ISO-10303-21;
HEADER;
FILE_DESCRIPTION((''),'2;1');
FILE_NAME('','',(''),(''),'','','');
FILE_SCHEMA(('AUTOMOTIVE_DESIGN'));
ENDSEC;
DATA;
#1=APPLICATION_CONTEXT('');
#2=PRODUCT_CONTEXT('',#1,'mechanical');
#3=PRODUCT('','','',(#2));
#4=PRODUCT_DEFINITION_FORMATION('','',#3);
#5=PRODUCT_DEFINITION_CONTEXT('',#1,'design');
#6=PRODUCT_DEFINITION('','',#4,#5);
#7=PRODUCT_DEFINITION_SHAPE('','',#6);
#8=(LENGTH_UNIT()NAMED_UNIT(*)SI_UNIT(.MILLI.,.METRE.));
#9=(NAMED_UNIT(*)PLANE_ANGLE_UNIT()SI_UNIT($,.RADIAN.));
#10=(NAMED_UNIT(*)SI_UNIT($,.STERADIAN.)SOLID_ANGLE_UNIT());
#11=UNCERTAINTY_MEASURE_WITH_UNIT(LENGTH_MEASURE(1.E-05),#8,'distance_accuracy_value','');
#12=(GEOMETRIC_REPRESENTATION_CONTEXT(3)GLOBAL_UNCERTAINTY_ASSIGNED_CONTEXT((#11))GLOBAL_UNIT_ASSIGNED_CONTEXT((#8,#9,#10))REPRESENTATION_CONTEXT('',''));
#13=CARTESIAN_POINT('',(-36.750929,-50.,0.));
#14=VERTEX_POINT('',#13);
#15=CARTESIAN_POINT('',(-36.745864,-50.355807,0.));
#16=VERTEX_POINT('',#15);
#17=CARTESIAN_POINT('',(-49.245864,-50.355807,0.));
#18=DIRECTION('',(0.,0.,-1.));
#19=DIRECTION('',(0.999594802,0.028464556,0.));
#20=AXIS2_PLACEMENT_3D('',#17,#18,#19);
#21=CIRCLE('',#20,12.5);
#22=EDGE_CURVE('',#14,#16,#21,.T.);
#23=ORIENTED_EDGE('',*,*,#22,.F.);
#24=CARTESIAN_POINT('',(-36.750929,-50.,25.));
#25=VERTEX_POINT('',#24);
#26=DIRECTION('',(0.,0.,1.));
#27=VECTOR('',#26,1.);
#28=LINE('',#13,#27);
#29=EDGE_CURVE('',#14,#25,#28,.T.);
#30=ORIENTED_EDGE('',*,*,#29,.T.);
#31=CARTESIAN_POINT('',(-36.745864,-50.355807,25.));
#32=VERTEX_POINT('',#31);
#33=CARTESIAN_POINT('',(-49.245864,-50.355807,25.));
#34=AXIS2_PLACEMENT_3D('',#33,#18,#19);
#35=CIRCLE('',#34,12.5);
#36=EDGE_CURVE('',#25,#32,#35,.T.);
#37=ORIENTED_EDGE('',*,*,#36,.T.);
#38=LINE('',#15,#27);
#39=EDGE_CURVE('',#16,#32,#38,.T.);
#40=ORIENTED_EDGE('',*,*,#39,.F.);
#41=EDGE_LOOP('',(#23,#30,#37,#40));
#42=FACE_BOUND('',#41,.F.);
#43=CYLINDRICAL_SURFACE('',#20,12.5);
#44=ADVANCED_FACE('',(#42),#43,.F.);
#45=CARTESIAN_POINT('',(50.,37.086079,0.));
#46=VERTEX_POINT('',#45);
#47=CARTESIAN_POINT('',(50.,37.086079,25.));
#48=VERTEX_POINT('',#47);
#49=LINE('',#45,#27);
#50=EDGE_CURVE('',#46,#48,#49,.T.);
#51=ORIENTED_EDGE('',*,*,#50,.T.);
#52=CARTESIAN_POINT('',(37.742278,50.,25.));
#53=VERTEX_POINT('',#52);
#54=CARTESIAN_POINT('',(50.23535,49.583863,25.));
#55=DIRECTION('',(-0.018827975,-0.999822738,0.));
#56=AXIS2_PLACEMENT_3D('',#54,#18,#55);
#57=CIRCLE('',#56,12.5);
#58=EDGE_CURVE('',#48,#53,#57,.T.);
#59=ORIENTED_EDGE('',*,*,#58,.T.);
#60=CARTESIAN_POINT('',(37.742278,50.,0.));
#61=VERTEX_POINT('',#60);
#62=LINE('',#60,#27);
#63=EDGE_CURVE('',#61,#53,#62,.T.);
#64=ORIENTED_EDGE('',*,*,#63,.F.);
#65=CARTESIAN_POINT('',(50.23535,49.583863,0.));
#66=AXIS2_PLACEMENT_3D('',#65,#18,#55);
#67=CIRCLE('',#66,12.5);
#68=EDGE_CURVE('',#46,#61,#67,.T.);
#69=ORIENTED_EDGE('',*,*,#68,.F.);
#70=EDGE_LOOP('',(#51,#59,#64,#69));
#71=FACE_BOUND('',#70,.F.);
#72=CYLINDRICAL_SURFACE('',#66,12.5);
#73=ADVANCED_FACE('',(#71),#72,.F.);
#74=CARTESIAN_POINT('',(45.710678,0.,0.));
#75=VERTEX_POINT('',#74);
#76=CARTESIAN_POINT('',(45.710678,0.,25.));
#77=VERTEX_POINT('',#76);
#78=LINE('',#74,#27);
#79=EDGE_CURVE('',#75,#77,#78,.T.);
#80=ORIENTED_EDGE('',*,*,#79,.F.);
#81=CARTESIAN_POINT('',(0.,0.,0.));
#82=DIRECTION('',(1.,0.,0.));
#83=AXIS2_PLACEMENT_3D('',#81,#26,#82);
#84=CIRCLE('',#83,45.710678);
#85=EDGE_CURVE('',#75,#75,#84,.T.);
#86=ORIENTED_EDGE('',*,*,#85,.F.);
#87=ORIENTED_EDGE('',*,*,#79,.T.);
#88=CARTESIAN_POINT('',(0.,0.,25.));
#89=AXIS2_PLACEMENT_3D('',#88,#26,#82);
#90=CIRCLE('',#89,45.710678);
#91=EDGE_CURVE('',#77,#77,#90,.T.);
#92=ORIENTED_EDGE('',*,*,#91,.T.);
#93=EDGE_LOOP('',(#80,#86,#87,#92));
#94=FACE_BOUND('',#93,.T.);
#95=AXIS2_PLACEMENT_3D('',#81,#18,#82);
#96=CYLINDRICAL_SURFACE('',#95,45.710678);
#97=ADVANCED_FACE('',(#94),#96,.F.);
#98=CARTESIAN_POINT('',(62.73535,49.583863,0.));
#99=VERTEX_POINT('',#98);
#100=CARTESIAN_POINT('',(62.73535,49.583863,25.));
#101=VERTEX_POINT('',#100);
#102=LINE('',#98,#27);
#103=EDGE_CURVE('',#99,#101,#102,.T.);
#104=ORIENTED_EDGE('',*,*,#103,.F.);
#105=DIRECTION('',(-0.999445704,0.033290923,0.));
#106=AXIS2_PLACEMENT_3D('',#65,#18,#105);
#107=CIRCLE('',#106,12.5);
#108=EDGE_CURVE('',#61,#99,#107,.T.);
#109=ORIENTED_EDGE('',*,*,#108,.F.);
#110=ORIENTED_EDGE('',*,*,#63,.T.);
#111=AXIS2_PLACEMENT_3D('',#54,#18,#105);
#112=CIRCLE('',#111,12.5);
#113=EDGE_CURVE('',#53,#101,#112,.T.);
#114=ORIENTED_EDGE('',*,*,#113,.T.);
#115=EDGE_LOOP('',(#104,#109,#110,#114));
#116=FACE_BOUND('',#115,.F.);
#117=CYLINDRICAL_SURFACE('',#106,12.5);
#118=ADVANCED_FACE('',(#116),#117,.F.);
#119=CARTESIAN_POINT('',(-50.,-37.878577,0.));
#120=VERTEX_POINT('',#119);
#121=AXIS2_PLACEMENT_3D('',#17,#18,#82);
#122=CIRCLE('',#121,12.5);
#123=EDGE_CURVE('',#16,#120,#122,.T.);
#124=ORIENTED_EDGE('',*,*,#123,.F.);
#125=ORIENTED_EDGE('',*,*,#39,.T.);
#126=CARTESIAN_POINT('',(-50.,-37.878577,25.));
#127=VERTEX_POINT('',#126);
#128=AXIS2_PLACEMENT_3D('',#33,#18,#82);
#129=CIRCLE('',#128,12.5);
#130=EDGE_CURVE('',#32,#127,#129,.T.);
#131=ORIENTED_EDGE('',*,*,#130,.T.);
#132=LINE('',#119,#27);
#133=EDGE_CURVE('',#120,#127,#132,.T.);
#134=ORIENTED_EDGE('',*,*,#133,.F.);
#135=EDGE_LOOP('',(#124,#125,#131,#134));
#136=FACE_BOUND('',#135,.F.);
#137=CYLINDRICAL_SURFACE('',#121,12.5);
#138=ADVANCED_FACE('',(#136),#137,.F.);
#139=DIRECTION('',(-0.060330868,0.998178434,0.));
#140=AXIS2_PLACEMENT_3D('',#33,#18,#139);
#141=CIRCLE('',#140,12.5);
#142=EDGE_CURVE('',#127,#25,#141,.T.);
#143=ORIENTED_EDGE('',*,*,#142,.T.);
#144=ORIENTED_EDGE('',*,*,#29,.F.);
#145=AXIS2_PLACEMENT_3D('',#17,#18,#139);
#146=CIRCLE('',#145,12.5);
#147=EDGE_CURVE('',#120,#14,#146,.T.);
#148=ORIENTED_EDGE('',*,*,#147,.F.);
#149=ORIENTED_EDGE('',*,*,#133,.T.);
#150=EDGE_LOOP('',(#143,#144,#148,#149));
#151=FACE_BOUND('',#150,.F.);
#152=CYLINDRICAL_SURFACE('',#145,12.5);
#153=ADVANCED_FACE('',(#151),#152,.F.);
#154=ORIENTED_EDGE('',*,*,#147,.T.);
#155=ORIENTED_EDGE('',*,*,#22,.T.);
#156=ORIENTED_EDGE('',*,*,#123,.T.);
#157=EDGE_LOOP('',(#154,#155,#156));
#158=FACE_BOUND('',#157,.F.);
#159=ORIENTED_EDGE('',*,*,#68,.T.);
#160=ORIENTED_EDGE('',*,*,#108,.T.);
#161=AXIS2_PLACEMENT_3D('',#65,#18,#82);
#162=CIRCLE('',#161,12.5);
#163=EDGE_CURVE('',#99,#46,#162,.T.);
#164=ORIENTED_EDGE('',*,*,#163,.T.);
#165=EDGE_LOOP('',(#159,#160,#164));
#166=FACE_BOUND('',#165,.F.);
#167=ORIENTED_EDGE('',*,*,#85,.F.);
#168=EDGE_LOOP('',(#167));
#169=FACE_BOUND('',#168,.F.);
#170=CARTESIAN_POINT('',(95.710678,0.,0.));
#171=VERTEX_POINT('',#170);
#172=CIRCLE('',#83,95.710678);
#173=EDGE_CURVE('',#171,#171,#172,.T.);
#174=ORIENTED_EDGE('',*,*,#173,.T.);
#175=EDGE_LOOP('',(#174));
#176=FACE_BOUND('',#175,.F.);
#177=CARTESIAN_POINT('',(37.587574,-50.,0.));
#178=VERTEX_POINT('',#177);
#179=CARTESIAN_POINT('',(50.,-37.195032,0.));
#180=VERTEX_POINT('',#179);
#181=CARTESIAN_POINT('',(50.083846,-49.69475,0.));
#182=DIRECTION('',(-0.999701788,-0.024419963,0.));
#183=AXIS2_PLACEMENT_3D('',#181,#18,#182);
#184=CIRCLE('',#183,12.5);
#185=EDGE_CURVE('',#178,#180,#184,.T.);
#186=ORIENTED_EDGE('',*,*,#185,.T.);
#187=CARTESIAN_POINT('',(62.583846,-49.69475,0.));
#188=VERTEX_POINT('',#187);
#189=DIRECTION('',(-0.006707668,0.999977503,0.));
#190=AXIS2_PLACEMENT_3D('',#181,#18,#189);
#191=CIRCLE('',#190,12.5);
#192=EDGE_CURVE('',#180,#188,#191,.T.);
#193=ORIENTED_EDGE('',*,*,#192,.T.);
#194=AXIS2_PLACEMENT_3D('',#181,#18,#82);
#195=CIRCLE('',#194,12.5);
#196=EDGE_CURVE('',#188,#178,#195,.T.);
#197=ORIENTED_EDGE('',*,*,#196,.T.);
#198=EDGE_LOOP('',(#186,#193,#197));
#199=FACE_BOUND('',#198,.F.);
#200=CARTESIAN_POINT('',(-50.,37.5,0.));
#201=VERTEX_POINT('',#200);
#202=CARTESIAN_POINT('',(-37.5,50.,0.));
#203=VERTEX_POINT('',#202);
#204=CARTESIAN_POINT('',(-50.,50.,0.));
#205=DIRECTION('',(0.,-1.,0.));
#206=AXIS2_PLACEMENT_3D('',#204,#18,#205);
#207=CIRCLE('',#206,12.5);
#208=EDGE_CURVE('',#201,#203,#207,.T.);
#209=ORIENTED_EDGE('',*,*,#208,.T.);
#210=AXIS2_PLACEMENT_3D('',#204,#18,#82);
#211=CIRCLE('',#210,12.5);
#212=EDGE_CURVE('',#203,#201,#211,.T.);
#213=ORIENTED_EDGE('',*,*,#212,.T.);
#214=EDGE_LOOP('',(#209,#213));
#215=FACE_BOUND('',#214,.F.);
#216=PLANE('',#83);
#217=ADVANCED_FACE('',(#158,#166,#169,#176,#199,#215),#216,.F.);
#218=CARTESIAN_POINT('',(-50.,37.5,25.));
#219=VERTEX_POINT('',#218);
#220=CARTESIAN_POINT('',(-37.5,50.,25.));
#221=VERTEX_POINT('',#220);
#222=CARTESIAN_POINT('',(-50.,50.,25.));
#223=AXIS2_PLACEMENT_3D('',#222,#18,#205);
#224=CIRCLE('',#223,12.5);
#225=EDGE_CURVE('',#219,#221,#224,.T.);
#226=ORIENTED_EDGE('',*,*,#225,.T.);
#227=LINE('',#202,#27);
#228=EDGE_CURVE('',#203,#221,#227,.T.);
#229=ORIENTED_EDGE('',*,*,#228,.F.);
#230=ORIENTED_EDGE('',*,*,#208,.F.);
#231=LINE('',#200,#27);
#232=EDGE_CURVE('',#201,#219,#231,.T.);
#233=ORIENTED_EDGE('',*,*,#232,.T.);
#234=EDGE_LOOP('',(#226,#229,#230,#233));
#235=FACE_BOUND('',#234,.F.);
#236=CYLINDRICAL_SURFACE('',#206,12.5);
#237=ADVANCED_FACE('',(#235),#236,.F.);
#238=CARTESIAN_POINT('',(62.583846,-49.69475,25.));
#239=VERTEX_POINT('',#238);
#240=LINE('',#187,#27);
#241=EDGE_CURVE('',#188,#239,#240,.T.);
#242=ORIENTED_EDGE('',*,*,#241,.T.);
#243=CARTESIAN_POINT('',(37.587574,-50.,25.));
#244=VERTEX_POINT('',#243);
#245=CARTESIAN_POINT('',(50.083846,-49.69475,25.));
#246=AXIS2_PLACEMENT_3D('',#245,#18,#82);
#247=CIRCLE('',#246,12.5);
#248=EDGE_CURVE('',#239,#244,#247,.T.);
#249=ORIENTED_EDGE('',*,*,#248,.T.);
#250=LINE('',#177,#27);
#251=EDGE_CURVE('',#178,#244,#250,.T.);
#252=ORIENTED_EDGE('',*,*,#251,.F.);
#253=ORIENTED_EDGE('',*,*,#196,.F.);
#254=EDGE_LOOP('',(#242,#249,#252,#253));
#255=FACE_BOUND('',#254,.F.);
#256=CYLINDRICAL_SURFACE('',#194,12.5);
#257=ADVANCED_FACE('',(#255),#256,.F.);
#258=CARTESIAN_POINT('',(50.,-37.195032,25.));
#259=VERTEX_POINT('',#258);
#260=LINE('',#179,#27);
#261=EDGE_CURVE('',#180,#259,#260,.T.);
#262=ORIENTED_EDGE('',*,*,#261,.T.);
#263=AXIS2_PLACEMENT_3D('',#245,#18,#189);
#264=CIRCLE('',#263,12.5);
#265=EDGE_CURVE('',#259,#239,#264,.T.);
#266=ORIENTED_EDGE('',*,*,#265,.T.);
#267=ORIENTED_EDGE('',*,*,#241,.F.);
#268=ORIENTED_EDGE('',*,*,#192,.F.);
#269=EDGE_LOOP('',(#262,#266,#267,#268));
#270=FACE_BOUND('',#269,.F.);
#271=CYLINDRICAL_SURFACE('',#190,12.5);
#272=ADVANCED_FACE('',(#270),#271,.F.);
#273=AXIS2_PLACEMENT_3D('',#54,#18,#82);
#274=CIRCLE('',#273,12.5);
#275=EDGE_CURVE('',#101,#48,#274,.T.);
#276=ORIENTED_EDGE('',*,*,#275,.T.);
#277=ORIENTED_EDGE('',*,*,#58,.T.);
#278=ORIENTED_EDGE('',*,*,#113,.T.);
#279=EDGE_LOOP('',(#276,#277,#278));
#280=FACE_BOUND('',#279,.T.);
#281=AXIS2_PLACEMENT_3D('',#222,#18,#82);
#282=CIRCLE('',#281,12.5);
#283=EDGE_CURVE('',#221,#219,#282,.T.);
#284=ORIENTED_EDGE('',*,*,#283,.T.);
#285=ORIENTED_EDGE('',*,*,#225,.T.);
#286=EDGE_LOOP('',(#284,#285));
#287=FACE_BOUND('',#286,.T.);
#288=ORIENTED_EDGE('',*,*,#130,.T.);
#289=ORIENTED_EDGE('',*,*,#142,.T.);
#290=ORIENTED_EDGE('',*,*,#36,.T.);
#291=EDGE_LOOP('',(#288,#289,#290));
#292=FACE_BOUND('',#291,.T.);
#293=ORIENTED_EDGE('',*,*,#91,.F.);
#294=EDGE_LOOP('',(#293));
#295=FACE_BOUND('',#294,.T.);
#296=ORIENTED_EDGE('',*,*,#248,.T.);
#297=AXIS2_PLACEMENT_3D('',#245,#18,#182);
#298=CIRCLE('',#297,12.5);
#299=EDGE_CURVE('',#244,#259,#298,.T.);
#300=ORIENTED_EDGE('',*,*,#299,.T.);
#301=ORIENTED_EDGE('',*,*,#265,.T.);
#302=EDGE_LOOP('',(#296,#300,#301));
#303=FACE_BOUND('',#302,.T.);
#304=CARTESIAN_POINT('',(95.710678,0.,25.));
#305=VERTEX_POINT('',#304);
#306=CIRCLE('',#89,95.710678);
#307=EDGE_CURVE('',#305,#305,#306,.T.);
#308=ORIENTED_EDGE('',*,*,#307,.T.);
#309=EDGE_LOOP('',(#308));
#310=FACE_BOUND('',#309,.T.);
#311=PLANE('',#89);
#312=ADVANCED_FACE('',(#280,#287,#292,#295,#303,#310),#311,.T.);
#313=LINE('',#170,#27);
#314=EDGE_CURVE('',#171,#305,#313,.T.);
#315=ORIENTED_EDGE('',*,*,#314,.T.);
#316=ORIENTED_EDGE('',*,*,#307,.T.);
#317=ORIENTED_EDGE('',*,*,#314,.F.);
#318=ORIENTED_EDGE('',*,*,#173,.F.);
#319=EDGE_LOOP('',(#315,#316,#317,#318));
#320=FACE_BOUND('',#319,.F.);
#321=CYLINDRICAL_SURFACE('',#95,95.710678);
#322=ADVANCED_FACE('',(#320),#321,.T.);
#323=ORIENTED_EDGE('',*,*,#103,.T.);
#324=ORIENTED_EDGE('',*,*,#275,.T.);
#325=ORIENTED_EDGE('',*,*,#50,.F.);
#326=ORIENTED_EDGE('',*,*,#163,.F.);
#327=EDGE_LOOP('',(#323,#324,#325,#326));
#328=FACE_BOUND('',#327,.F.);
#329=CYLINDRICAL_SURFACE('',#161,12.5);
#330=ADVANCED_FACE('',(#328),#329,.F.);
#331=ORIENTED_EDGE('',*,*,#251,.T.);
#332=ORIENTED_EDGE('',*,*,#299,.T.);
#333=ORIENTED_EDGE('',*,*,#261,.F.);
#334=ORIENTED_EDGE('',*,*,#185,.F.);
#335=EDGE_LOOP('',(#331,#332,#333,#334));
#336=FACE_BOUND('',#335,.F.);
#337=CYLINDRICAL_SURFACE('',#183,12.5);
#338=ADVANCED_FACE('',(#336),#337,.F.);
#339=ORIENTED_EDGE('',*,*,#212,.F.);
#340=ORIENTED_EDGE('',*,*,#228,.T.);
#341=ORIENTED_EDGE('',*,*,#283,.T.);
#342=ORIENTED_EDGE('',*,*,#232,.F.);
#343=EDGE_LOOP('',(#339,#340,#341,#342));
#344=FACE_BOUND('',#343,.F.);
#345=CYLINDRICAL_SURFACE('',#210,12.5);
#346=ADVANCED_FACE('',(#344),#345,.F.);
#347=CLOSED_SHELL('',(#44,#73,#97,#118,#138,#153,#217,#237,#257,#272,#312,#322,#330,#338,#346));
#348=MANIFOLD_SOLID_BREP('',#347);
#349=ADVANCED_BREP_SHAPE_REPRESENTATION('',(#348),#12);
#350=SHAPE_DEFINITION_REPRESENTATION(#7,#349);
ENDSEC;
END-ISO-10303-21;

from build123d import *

# Parameters (mm, degrees)
F0_R     = 95.7106781187
F0_R_2   = 45.7106781187
F1_DEPTH = 25


with BuildPart() as f1:
    # F0 (on Top) → F1 (new body)
    with BuildSketch(Plane.XY):
        Circle(F0_R)
        with BuildLine():
            ThreePointArc((62.5838458538, -49.694750458), (50.2364820047, -62.1938185115), (37.5875735009, -50))
            Line((37.5875735009, -50), (-36.7509291224, -50))
            ThreePointArc((-36.7509291224, -50), (-36.7471304594, -50.1778854491), (-36.7458641529, -50.3558069468))
            ThreePointArc((-36.7458641529, -50.3558069468), (-57.8139240824, -59.4573644533), (-50, -37.8785765199))
            Line((-50, -37.8785765199), (-50, 37.5))
            ThreePointArc((-50, 37.5), (-58.8388347648, 58.8388347648), (-37.5, 50))
            Line((-37.5, 50), (37.7422783898, 50))
            ThreePointArc((37.7422783898, 50), (50.4434467903, 62.0821311707), (62.735349685, 49.583863467))
            ThreePointArc((62.735349685, 49.583863467), (58.9905803769, 40.6622080415), (50, 37.0860792423))
            Line((50, 37.0860792423), (50, -37.1950316663))
            ThreePointArc((50, -37.1950316663), (58.8929867548, -40.8263212518), (62.5838458538, -49.694750458))
        make_face(mode=Mode.SUBTRACT)
        with BuildLine():
            Line((-36.7509291224, -50), (37.5875735009, -50))
            ThreePointArc((37.5875735009, -50), (41.1085103709, -40.9945577607), (50, -37.1950316663))
            Line((50, -37.1950316663), (50, 37.0860792423))
            ThreePointArc((50, 37.0860792423), (41.1691756024, 40.9783717608), (37.7422783898, 50))
            Line((37.7422783898, 50), (-37.5, 50))
            ThreePointArc((-37.5, 50), (-41.1611652352, 41.1611652352), (-50, 37.5))
            Line((-50, 37.5), (-50, -37.8785765199))
            ThreePointArc((-50, -37.8785765199), (-40.808221226, -41.1332161048), (-36.7509291224, -50))
        make_face()
        Circle(F0_R_2, mode=Mode.SUBTRACT)
    extrude(amount=F1_DEPTH)


solid = f1.part
